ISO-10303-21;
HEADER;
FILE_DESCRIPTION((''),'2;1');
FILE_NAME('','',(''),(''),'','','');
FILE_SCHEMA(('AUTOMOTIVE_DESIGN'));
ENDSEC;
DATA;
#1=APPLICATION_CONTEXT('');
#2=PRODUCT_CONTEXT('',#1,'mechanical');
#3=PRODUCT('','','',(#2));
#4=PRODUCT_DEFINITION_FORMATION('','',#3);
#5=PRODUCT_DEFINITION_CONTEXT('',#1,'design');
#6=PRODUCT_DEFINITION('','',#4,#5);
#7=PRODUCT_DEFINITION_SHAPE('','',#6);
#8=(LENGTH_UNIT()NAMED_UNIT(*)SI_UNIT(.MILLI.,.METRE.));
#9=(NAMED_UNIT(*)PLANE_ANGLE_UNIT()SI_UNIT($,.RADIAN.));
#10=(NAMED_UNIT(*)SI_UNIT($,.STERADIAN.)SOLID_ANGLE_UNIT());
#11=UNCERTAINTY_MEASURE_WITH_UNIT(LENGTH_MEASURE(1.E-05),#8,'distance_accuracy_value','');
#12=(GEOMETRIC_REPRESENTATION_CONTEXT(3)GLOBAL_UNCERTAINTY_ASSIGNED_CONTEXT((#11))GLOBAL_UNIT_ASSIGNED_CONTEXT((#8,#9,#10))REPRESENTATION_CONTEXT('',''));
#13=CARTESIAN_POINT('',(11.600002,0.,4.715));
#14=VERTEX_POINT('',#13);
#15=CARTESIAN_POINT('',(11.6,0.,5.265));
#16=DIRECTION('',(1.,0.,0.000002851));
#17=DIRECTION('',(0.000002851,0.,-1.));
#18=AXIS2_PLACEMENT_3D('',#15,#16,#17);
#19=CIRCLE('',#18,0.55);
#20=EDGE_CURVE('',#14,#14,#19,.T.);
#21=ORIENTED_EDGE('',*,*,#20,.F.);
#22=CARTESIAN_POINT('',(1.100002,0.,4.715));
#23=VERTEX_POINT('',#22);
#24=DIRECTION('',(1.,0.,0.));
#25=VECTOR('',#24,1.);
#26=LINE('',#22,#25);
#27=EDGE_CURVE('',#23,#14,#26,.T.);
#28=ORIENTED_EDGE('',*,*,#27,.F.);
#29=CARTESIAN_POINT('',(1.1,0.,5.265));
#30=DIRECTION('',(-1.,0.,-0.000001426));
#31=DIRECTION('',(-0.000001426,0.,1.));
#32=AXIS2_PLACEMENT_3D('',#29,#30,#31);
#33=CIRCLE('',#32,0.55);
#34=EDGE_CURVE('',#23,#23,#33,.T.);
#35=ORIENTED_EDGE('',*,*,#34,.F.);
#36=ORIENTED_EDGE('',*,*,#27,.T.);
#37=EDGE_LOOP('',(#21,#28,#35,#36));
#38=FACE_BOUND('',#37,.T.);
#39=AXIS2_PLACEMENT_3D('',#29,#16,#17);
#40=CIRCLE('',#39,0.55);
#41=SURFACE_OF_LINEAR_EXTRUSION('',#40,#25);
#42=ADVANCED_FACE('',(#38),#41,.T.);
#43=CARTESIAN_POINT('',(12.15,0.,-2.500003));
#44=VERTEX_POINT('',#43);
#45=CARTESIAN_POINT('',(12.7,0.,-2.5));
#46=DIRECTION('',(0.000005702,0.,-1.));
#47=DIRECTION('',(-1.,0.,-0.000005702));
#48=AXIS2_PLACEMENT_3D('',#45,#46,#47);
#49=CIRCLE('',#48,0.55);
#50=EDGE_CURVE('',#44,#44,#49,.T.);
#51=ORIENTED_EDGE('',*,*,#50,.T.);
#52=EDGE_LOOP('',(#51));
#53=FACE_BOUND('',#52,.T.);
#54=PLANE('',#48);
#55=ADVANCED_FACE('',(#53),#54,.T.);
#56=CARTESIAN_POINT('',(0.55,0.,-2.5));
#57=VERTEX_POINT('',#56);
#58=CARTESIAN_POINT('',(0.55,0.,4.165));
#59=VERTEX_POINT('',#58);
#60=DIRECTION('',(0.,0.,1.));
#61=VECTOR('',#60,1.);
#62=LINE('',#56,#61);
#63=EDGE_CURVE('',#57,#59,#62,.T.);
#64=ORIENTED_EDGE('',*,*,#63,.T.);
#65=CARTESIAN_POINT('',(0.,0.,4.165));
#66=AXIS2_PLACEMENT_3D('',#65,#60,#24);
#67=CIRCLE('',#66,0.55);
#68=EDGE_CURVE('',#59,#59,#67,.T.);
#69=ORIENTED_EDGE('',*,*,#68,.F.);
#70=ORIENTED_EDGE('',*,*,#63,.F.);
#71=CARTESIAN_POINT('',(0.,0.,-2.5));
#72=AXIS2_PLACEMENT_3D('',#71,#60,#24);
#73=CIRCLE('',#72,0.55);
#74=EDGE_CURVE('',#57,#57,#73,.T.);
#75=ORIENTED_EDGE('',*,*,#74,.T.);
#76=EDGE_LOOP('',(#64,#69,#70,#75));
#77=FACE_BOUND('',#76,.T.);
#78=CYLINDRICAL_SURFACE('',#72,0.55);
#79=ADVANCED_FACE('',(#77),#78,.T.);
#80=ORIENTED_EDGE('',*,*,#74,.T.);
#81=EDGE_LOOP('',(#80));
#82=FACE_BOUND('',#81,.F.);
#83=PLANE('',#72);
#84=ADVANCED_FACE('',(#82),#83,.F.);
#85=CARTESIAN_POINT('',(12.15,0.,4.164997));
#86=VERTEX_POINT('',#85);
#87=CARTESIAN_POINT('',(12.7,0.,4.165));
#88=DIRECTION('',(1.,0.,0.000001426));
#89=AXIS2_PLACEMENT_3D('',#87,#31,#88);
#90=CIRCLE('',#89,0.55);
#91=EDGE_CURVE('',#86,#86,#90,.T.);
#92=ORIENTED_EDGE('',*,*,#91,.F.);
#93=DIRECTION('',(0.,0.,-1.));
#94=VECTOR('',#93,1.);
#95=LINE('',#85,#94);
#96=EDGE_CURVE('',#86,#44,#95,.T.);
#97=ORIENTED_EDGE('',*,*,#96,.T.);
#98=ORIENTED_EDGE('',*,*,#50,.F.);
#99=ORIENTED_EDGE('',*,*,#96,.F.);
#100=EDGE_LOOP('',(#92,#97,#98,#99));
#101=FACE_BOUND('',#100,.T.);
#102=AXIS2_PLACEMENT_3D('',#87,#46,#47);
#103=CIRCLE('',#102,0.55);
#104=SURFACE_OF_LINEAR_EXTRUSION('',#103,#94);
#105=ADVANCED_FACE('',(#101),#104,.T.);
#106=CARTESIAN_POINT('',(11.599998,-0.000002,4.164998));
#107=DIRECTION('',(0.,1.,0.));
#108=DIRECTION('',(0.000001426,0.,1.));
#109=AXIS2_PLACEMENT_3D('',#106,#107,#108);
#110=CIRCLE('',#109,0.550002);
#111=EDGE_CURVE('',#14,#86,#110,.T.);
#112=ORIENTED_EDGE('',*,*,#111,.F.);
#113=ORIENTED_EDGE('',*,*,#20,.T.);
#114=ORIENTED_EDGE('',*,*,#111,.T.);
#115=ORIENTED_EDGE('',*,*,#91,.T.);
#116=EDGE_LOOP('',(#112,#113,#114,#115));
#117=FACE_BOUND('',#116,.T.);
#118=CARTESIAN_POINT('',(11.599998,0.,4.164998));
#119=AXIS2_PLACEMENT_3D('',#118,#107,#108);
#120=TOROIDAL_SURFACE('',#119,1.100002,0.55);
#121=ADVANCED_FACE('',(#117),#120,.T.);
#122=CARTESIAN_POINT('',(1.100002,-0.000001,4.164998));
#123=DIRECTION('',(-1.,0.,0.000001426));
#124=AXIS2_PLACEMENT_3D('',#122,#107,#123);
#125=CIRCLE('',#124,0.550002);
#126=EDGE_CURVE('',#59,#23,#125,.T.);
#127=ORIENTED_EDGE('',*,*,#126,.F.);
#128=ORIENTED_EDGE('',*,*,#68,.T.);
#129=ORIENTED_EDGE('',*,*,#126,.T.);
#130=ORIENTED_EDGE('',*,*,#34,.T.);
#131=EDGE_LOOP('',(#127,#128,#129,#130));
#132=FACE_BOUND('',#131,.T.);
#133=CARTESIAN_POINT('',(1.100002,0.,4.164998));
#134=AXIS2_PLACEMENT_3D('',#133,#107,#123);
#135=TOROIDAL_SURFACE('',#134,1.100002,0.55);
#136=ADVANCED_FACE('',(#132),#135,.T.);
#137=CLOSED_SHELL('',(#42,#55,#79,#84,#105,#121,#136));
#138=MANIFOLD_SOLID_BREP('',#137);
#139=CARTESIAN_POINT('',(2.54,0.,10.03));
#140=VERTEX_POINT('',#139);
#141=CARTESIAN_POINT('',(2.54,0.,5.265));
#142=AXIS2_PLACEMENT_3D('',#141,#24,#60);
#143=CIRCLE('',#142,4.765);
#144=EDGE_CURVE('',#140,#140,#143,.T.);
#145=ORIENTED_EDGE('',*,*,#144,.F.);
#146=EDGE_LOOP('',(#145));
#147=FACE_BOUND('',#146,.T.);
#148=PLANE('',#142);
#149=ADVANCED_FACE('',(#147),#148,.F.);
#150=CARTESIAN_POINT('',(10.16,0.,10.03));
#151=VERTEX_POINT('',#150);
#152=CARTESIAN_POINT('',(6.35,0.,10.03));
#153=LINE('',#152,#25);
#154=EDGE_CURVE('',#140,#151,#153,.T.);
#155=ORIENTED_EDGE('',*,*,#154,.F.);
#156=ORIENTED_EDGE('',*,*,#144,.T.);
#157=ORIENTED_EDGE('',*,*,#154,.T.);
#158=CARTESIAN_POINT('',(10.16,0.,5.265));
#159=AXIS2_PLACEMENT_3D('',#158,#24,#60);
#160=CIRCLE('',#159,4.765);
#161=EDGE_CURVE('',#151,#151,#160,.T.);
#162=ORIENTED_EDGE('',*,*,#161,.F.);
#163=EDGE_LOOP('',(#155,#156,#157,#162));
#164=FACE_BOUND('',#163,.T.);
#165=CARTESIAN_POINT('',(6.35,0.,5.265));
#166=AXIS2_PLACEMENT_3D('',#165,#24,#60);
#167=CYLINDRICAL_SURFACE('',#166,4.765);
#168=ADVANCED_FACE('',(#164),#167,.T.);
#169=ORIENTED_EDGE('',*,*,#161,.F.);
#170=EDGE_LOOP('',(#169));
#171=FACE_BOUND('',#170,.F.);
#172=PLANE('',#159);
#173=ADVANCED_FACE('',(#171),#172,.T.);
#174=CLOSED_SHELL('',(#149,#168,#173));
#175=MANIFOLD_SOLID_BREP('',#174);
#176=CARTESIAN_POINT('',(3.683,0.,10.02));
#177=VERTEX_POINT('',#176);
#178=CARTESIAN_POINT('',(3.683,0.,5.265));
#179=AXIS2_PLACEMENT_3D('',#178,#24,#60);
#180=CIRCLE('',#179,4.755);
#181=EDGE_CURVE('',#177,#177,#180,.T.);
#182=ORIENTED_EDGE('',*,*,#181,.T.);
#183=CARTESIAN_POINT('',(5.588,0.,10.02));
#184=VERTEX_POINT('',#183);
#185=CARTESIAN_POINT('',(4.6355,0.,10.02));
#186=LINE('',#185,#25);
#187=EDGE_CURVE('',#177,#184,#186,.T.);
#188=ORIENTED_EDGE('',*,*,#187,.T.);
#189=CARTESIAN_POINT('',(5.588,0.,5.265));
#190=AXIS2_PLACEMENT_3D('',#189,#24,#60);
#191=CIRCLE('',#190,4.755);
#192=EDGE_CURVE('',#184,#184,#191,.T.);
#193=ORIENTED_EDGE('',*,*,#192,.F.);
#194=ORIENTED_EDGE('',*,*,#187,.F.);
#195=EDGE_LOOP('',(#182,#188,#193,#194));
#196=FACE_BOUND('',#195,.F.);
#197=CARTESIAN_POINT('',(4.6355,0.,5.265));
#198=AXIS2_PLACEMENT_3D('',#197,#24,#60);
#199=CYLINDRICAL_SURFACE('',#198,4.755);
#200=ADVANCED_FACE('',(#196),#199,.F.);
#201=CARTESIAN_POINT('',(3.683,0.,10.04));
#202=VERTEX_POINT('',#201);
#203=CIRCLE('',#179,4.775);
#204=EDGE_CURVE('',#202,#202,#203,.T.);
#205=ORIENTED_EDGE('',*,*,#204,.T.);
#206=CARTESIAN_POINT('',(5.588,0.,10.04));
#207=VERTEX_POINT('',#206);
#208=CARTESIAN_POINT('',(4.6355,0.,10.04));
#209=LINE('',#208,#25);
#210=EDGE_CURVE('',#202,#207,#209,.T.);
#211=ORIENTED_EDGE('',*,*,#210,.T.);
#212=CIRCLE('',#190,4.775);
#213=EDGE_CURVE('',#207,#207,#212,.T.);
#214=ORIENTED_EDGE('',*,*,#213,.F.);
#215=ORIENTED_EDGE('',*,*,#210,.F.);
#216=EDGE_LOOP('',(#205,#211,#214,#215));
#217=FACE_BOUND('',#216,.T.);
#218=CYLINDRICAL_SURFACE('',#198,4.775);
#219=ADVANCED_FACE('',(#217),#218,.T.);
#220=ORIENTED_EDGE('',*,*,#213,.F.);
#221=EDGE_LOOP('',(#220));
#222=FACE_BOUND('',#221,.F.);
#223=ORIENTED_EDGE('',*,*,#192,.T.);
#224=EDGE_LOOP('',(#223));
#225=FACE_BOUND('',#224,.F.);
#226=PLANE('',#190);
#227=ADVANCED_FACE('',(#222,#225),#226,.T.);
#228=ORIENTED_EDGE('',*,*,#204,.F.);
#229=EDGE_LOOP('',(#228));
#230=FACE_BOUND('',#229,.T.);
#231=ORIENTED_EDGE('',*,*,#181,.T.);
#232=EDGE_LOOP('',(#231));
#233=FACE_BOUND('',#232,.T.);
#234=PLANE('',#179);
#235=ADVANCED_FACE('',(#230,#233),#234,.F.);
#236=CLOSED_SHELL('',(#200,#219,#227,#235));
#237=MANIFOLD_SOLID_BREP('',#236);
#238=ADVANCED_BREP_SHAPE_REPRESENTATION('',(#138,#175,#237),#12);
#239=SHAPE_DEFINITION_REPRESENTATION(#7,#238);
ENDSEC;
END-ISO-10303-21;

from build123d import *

# Parameters (mm, degrees)
SKETCH002_W = 7.62
SKETCH002_H = 4.765
SKETCH003_W = 1.905
SKETCH003_H = 0.02
SKETCH_R    = 0.55


with BuildPart() as revolution:
    # Sketch002 → Revolution (revolve)
    with BuildSketch(Plane.XZ):
        with Locations((6.35, 7.6475)):
            Rectangle(SKETCH002_W, SKETCH002_H)
    revolve(axis=Axis((2.54, 0, 5.265), (1, 0, 0)))


with BuildPart() as revolution001:
    # Sketch003 → Revolution001 (revolve)
    with BuildSketch(Plane.XZ):
        with Locations((4.6355, 10.03)):
            Rectangle(SKETCH003_W, SKETCH003_H)
    revolve(axis=Axis((0, 0, 5.265), (1, 0, 0)))


with BuildPart() as sweep_body:
    # Sweep: sweep along a path in Sketch001
    with BuildLine(Plane.XZ) as sweep_path:
        Line((0, -2.5), (0, 4.165))
        ThreePointArc((0, 4.165), (0.322183, 4.942817), (1.1, 5.265))
        Line((1.1, 5.265), (11.6, 5.265))
        ThreePointArc((11.6, 5.265), (12.377817, 4.942817), (12.7, 4.165))
        Line((12.7, 4.165), (12.7, -2.5))
    # Sketch → Sweep (sweep)
    with BuildSketch(Plane.XY.offset(-2)):
        Circle(SKETCH_R)
    sweep(path=sweep_path.line)


solid = Compound([revolution.part, revolution001.part, sweep_body.part])
